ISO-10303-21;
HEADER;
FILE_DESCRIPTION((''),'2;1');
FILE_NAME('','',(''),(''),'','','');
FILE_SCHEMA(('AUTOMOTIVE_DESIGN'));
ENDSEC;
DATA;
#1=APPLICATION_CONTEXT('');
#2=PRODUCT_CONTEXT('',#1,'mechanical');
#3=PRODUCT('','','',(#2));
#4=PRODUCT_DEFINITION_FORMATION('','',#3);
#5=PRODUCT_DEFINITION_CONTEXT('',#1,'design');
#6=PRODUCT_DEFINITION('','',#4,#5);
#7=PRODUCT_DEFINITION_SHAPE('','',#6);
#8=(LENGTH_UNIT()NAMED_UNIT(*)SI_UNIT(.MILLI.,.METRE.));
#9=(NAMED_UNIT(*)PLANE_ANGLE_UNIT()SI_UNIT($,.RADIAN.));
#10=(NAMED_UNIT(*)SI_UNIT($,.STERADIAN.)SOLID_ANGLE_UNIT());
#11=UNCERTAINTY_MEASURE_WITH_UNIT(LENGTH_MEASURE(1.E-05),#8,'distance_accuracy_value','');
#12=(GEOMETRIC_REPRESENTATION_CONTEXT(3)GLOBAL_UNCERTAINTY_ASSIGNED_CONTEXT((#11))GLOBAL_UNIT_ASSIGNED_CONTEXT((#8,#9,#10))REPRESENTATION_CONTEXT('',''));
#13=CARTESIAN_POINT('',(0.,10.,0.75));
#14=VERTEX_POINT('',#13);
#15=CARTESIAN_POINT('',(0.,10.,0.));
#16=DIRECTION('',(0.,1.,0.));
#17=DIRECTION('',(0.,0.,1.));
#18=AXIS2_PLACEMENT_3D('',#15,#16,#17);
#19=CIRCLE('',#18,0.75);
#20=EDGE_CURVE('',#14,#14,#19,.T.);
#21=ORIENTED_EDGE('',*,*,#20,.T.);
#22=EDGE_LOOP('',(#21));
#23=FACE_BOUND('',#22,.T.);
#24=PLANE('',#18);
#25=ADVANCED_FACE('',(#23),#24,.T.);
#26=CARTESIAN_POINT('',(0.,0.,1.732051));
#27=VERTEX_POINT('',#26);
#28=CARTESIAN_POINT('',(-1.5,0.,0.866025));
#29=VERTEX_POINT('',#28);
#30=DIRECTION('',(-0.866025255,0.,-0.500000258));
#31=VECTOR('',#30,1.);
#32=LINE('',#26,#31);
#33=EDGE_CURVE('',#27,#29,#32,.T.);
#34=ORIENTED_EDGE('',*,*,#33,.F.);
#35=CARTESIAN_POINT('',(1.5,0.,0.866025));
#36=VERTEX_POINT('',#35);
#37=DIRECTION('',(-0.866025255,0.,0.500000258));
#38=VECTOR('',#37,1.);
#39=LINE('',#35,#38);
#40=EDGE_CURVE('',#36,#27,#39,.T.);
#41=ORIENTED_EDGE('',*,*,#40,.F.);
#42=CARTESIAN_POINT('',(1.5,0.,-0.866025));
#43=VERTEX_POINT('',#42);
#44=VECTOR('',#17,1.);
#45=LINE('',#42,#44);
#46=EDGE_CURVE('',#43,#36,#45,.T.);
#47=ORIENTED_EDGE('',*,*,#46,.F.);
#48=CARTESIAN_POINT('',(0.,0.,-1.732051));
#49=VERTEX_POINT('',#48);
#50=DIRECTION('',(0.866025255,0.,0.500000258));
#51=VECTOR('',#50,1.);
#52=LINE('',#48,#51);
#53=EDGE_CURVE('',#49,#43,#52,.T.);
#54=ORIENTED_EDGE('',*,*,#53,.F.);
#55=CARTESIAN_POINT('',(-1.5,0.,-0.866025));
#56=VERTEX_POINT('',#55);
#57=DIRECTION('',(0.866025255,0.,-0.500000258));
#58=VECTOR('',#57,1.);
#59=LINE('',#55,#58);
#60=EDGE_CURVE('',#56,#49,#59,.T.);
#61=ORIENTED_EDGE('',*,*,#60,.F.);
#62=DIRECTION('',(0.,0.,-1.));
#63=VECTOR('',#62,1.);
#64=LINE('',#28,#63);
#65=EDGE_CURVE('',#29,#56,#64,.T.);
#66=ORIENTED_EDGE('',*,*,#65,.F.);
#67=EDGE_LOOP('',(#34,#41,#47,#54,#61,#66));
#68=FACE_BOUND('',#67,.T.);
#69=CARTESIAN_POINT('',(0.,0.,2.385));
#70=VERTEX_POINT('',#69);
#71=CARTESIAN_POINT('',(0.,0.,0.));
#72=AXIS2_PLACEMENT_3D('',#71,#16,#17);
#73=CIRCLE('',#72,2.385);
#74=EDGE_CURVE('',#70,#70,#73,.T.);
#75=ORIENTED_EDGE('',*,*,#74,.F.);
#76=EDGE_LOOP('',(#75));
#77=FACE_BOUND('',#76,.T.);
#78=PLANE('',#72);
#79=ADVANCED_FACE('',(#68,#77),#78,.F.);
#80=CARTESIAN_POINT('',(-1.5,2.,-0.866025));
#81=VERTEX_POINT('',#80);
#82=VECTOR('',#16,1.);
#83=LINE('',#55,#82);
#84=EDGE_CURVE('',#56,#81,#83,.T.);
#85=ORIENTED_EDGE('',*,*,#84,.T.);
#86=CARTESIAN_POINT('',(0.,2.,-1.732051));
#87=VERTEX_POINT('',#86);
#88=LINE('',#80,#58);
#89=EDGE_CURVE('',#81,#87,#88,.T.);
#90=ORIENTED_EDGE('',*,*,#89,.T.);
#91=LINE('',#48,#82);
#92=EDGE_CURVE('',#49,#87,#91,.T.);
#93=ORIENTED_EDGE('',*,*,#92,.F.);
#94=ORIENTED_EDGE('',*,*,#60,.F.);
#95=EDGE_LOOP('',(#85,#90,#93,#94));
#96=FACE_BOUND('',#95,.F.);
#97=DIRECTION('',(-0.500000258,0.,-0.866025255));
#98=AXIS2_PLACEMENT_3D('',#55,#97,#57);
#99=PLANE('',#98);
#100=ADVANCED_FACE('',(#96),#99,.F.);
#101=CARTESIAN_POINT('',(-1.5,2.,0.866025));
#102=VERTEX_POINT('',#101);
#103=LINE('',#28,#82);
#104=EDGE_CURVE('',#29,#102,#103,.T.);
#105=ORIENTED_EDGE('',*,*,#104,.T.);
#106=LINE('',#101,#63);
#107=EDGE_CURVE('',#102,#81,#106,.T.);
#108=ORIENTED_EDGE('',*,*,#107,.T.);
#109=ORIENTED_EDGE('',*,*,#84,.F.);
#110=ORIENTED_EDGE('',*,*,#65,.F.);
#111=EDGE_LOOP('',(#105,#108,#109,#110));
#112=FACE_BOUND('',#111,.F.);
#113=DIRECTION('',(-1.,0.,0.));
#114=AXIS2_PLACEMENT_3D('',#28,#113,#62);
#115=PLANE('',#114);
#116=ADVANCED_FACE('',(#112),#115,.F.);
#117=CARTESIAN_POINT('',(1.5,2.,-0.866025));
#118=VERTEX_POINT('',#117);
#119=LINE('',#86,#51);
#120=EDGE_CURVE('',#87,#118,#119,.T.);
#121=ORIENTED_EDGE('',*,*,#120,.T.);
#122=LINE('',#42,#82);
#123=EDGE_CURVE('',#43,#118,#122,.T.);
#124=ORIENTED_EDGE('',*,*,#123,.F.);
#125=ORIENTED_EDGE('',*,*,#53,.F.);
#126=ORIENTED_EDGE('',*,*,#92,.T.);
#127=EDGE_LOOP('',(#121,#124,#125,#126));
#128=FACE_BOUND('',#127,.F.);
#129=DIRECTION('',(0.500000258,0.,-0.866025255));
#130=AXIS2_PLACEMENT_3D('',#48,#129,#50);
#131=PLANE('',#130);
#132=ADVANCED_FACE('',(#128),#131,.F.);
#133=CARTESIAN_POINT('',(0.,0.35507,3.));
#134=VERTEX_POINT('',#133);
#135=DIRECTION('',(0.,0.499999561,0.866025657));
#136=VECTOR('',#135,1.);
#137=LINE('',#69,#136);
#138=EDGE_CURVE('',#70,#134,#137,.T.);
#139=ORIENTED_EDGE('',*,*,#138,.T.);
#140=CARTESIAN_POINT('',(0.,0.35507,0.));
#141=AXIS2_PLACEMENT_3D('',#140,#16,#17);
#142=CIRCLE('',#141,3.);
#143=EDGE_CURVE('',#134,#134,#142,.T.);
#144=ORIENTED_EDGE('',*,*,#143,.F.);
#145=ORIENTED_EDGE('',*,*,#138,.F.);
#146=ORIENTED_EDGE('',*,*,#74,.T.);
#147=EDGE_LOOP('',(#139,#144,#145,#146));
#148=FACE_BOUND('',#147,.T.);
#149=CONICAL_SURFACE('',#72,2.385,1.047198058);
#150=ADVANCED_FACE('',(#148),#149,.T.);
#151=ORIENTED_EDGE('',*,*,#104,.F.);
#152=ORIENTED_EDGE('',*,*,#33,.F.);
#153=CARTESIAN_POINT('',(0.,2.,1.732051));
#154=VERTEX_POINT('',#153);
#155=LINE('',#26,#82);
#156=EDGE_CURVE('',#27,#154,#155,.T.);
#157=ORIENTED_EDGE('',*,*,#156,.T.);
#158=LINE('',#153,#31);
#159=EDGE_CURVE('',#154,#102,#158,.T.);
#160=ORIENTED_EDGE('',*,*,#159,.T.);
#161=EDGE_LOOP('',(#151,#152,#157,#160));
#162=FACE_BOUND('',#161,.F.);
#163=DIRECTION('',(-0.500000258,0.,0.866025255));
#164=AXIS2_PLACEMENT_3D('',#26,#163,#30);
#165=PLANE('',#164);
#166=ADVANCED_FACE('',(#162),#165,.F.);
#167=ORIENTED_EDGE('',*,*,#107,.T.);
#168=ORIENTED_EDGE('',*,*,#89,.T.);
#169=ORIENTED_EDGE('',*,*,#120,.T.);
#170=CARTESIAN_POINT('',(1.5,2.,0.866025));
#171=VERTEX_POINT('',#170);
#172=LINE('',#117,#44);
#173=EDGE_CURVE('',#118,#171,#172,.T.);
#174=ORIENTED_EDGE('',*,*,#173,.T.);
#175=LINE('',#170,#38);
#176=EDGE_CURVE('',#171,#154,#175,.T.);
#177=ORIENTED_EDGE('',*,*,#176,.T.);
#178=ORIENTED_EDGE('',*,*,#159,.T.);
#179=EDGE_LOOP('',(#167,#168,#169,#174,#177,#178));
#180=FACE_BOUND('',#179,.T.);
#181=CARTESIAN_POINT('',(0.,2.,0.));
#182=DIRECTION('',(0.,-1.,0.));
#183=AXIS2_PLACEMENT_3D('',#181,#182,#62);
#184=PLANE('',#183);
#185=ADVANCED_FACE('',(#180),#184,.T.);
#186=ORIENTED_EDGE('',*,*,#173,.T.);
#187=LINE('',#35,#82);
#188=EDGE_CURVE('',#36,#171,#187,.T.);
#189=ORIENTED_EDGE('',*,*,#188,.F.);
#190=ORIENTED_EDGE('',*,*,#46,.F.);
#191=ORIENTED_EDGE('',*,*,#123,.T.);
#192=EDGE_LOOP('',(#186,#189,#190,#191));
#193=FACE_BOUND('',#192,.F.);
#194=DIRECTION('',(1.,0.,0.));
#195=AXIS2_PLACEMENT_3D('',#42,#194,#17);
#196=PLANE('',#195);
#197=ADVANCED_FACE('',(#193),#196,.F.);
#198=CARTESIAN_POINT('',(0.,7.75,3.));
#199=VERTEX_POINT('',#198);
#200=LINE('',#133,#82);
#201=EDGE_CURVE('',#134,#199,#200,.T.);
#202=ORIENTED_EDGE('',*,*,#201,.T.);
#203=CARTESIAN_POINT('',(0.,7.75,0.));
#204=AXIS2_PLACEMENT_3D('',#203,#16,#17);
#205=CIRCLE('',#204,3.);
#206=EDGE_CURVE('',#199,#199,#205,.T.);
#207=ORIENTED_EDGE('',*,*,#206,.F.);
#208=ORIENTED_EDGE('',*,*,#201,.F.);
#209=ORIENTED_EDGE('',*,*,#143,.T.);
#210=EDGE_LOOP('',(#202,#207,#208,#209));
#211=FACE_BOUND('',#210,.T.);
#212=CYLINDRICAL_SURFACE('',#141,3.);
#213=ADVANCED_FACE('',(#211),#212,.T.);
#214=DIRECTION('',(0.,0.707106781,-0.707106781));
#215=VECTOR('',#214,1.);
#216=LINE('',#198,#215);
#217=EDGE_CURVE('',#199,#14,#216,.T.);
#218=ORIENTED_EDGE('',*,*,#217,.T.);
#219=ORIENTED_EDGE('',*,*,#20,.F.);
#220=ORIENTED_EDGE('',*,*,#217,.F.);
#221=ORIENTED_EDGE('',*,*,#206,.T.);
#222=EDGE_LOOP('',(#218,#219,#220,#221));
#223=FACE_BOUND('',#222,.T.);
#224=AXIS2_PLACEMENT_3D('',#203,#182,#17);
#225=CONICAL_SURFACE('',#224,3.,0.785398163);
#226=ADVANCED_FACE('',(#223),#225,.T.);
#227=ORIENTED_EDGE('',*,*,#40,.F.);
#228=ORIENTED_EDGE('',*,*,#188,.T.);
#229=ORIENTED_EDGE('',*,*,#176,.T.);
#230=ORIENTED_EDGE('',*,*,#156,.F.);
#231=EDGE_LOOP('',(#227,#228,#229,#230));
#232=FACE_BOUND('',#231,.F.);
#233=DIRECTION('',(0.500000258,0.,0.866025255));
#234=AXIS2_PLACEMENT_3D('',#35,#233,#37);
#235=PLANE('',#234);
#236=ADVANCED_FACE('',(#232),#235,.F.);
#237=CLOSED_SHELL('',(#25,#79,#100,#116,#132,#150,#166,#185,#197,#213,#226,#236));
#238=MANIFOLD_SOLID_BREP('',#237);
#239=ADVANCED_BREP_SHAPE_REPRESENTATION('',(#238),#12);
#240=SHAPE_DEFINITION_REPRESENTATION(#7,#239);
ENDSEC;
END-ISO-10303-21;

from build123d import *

# Parameters (mm, degrees)
POCKET_DEPTH = 2


with BuildPart() as part:
    # Sketch → Revolution (revolve)
    with BuildSketch(Plane.YZ):
        Polygon((0, 0), (0, 2.385), (0.35507, 3), (7.75, 3), (10, 0.75), (10, 0), align=None)
    revolve(axis=Axis((0, 0, 0), (0, 1, 0)))

    # Sketch001 → Pocket (cut)
    with BuildSketch(Plane(origin=(0, 0, 0), x_dir=(0, 0, -1), z_dir=(0, -1, 0))):
        Polygon((-0.866025, -1.5), (0.866025, -1.5), (1.732051, 0), (0.866025, 1.5), (-0.866025, 1.5), (-1.732051, 0), align=None)
    extrude(amount=-POCKET_DEPTH, mode=Mode.SUBTRACT)


solid = part.part
